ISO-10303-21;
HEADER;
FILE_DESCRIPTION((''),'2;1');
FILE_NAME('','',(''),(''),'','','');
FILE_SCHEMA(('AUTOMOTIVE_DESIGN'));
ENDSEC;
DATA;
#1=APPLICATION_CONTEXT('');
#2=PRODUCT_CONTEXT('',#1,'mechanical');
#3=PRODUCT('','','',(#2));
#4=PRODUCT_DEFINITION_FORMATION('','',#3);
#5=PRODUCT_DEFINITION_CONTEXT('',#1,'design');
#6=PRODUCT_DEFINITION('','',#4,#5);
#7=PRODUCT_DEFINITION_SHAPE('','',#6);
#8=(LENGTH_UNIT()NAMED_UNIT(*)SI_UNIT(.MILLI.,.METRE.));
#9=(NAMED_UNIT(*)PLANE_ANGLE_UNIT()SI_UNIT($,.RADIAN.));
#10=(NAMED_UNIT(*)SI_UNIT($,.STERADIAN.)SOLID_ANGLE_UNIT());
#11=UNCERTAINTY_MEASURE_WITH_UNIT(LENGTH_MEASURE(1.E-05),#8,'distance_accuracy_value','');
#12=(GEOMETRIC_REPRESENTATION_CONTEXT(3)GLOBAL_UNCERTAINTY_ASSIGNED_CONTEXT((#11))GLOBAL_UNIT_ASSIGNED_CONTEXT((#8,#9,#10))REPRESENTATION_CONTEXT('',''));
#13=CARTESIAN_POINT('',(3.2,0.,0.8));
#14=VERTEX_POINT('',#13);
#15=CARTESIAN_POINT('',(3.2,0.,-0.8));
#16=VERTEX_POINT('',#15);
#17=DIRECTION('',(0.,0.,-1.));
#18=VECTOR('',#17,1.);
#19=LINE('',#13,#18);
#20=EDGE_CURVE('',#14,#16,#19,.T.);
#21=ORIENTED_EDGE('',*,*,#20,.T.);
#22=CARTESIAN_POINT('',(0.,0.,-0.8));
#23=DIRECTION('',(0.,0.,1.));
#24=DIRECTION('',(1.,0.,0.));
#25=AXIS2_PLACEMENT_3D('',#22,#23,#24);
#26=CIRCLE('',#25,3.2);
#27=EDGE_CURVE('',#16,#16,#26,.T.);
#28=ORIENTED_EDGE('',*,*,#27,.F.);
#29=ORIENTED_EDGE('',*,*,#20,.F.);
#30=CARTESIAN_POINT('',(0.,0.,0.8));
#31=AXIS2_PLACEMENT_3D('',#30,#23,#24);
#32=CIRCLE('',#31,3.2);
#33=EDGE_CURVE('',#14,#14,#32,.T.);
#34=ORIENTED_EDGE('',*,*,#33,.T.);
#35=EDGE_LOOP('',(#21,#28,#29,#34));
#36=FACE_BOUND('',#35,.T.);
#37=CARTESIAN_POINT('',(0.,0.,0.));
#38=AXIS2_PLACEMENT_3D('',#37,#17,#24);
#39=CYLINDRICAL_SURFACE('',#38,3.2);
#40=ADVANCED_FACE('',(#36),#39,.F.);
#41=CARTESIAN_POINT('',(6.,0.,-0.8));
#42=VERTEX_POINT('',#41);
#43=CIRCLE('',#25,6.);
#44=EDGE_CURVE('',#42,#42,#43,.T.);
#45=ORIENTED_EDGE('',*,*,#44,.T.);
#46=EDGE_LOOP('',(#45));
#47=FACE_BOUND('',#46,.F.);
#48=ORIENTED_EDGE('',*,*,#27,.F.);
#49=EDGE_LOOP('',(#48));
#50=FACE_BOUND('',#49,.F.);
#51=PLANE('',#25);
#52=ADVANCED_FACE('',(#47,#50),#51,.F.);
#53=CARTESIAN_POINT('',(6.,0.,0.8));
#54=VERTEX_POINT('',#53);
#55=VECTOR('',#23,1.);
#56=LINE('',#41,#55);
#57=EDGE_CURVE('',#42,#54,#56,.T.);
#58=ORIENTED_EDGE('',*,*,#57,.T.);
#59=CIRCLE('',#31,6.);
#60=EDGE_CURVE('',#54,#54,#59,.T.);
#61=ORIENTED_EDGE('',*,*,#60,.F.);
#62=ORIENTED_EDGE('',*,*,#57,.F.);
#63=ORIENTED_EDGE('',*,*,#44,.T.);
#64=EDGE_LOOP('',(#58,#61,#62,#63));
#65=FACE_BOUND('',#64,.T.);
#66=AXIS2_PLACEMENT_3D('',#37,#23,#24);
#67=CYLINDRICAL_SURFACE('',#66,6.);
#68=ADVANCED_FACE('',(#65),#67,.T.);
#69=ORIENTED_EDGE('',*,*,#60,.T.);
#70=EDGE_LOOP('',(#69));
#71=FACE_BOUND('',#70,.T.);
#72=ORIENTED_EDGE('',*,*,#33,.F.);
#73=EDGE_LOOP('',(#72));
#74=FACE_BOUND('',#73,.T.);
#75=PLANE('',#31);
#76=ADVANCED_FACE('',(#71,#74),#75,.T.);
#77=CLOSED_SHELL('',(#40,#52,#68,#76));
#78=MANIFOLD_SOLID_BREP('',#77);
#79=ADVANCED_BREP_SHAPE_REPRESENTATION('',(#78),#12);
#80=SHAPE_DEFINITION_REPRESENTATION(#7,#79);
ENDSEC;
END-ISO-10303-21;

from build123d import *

# Parameters (mm, degrees)
CROQUIS1_R              = 6
CROQUIS1_R_2            = 3.2
SALIENTE_EXTRUIR1_DEPTH = 0.8


with BuildPart() as part:
    # Croquis1 → Saliente-Extruir1 (new body, symmetric)
    with BuildSketch(Plane.XY):
        Circle(CROQUIS1_R)
        Circle(CROQUIS1_R_2, mode=Mode.SUBTRACT)
    extrude(amount=SALIENTE_EXTRUIR1_DEPTH, both=True)


solid = part.part
